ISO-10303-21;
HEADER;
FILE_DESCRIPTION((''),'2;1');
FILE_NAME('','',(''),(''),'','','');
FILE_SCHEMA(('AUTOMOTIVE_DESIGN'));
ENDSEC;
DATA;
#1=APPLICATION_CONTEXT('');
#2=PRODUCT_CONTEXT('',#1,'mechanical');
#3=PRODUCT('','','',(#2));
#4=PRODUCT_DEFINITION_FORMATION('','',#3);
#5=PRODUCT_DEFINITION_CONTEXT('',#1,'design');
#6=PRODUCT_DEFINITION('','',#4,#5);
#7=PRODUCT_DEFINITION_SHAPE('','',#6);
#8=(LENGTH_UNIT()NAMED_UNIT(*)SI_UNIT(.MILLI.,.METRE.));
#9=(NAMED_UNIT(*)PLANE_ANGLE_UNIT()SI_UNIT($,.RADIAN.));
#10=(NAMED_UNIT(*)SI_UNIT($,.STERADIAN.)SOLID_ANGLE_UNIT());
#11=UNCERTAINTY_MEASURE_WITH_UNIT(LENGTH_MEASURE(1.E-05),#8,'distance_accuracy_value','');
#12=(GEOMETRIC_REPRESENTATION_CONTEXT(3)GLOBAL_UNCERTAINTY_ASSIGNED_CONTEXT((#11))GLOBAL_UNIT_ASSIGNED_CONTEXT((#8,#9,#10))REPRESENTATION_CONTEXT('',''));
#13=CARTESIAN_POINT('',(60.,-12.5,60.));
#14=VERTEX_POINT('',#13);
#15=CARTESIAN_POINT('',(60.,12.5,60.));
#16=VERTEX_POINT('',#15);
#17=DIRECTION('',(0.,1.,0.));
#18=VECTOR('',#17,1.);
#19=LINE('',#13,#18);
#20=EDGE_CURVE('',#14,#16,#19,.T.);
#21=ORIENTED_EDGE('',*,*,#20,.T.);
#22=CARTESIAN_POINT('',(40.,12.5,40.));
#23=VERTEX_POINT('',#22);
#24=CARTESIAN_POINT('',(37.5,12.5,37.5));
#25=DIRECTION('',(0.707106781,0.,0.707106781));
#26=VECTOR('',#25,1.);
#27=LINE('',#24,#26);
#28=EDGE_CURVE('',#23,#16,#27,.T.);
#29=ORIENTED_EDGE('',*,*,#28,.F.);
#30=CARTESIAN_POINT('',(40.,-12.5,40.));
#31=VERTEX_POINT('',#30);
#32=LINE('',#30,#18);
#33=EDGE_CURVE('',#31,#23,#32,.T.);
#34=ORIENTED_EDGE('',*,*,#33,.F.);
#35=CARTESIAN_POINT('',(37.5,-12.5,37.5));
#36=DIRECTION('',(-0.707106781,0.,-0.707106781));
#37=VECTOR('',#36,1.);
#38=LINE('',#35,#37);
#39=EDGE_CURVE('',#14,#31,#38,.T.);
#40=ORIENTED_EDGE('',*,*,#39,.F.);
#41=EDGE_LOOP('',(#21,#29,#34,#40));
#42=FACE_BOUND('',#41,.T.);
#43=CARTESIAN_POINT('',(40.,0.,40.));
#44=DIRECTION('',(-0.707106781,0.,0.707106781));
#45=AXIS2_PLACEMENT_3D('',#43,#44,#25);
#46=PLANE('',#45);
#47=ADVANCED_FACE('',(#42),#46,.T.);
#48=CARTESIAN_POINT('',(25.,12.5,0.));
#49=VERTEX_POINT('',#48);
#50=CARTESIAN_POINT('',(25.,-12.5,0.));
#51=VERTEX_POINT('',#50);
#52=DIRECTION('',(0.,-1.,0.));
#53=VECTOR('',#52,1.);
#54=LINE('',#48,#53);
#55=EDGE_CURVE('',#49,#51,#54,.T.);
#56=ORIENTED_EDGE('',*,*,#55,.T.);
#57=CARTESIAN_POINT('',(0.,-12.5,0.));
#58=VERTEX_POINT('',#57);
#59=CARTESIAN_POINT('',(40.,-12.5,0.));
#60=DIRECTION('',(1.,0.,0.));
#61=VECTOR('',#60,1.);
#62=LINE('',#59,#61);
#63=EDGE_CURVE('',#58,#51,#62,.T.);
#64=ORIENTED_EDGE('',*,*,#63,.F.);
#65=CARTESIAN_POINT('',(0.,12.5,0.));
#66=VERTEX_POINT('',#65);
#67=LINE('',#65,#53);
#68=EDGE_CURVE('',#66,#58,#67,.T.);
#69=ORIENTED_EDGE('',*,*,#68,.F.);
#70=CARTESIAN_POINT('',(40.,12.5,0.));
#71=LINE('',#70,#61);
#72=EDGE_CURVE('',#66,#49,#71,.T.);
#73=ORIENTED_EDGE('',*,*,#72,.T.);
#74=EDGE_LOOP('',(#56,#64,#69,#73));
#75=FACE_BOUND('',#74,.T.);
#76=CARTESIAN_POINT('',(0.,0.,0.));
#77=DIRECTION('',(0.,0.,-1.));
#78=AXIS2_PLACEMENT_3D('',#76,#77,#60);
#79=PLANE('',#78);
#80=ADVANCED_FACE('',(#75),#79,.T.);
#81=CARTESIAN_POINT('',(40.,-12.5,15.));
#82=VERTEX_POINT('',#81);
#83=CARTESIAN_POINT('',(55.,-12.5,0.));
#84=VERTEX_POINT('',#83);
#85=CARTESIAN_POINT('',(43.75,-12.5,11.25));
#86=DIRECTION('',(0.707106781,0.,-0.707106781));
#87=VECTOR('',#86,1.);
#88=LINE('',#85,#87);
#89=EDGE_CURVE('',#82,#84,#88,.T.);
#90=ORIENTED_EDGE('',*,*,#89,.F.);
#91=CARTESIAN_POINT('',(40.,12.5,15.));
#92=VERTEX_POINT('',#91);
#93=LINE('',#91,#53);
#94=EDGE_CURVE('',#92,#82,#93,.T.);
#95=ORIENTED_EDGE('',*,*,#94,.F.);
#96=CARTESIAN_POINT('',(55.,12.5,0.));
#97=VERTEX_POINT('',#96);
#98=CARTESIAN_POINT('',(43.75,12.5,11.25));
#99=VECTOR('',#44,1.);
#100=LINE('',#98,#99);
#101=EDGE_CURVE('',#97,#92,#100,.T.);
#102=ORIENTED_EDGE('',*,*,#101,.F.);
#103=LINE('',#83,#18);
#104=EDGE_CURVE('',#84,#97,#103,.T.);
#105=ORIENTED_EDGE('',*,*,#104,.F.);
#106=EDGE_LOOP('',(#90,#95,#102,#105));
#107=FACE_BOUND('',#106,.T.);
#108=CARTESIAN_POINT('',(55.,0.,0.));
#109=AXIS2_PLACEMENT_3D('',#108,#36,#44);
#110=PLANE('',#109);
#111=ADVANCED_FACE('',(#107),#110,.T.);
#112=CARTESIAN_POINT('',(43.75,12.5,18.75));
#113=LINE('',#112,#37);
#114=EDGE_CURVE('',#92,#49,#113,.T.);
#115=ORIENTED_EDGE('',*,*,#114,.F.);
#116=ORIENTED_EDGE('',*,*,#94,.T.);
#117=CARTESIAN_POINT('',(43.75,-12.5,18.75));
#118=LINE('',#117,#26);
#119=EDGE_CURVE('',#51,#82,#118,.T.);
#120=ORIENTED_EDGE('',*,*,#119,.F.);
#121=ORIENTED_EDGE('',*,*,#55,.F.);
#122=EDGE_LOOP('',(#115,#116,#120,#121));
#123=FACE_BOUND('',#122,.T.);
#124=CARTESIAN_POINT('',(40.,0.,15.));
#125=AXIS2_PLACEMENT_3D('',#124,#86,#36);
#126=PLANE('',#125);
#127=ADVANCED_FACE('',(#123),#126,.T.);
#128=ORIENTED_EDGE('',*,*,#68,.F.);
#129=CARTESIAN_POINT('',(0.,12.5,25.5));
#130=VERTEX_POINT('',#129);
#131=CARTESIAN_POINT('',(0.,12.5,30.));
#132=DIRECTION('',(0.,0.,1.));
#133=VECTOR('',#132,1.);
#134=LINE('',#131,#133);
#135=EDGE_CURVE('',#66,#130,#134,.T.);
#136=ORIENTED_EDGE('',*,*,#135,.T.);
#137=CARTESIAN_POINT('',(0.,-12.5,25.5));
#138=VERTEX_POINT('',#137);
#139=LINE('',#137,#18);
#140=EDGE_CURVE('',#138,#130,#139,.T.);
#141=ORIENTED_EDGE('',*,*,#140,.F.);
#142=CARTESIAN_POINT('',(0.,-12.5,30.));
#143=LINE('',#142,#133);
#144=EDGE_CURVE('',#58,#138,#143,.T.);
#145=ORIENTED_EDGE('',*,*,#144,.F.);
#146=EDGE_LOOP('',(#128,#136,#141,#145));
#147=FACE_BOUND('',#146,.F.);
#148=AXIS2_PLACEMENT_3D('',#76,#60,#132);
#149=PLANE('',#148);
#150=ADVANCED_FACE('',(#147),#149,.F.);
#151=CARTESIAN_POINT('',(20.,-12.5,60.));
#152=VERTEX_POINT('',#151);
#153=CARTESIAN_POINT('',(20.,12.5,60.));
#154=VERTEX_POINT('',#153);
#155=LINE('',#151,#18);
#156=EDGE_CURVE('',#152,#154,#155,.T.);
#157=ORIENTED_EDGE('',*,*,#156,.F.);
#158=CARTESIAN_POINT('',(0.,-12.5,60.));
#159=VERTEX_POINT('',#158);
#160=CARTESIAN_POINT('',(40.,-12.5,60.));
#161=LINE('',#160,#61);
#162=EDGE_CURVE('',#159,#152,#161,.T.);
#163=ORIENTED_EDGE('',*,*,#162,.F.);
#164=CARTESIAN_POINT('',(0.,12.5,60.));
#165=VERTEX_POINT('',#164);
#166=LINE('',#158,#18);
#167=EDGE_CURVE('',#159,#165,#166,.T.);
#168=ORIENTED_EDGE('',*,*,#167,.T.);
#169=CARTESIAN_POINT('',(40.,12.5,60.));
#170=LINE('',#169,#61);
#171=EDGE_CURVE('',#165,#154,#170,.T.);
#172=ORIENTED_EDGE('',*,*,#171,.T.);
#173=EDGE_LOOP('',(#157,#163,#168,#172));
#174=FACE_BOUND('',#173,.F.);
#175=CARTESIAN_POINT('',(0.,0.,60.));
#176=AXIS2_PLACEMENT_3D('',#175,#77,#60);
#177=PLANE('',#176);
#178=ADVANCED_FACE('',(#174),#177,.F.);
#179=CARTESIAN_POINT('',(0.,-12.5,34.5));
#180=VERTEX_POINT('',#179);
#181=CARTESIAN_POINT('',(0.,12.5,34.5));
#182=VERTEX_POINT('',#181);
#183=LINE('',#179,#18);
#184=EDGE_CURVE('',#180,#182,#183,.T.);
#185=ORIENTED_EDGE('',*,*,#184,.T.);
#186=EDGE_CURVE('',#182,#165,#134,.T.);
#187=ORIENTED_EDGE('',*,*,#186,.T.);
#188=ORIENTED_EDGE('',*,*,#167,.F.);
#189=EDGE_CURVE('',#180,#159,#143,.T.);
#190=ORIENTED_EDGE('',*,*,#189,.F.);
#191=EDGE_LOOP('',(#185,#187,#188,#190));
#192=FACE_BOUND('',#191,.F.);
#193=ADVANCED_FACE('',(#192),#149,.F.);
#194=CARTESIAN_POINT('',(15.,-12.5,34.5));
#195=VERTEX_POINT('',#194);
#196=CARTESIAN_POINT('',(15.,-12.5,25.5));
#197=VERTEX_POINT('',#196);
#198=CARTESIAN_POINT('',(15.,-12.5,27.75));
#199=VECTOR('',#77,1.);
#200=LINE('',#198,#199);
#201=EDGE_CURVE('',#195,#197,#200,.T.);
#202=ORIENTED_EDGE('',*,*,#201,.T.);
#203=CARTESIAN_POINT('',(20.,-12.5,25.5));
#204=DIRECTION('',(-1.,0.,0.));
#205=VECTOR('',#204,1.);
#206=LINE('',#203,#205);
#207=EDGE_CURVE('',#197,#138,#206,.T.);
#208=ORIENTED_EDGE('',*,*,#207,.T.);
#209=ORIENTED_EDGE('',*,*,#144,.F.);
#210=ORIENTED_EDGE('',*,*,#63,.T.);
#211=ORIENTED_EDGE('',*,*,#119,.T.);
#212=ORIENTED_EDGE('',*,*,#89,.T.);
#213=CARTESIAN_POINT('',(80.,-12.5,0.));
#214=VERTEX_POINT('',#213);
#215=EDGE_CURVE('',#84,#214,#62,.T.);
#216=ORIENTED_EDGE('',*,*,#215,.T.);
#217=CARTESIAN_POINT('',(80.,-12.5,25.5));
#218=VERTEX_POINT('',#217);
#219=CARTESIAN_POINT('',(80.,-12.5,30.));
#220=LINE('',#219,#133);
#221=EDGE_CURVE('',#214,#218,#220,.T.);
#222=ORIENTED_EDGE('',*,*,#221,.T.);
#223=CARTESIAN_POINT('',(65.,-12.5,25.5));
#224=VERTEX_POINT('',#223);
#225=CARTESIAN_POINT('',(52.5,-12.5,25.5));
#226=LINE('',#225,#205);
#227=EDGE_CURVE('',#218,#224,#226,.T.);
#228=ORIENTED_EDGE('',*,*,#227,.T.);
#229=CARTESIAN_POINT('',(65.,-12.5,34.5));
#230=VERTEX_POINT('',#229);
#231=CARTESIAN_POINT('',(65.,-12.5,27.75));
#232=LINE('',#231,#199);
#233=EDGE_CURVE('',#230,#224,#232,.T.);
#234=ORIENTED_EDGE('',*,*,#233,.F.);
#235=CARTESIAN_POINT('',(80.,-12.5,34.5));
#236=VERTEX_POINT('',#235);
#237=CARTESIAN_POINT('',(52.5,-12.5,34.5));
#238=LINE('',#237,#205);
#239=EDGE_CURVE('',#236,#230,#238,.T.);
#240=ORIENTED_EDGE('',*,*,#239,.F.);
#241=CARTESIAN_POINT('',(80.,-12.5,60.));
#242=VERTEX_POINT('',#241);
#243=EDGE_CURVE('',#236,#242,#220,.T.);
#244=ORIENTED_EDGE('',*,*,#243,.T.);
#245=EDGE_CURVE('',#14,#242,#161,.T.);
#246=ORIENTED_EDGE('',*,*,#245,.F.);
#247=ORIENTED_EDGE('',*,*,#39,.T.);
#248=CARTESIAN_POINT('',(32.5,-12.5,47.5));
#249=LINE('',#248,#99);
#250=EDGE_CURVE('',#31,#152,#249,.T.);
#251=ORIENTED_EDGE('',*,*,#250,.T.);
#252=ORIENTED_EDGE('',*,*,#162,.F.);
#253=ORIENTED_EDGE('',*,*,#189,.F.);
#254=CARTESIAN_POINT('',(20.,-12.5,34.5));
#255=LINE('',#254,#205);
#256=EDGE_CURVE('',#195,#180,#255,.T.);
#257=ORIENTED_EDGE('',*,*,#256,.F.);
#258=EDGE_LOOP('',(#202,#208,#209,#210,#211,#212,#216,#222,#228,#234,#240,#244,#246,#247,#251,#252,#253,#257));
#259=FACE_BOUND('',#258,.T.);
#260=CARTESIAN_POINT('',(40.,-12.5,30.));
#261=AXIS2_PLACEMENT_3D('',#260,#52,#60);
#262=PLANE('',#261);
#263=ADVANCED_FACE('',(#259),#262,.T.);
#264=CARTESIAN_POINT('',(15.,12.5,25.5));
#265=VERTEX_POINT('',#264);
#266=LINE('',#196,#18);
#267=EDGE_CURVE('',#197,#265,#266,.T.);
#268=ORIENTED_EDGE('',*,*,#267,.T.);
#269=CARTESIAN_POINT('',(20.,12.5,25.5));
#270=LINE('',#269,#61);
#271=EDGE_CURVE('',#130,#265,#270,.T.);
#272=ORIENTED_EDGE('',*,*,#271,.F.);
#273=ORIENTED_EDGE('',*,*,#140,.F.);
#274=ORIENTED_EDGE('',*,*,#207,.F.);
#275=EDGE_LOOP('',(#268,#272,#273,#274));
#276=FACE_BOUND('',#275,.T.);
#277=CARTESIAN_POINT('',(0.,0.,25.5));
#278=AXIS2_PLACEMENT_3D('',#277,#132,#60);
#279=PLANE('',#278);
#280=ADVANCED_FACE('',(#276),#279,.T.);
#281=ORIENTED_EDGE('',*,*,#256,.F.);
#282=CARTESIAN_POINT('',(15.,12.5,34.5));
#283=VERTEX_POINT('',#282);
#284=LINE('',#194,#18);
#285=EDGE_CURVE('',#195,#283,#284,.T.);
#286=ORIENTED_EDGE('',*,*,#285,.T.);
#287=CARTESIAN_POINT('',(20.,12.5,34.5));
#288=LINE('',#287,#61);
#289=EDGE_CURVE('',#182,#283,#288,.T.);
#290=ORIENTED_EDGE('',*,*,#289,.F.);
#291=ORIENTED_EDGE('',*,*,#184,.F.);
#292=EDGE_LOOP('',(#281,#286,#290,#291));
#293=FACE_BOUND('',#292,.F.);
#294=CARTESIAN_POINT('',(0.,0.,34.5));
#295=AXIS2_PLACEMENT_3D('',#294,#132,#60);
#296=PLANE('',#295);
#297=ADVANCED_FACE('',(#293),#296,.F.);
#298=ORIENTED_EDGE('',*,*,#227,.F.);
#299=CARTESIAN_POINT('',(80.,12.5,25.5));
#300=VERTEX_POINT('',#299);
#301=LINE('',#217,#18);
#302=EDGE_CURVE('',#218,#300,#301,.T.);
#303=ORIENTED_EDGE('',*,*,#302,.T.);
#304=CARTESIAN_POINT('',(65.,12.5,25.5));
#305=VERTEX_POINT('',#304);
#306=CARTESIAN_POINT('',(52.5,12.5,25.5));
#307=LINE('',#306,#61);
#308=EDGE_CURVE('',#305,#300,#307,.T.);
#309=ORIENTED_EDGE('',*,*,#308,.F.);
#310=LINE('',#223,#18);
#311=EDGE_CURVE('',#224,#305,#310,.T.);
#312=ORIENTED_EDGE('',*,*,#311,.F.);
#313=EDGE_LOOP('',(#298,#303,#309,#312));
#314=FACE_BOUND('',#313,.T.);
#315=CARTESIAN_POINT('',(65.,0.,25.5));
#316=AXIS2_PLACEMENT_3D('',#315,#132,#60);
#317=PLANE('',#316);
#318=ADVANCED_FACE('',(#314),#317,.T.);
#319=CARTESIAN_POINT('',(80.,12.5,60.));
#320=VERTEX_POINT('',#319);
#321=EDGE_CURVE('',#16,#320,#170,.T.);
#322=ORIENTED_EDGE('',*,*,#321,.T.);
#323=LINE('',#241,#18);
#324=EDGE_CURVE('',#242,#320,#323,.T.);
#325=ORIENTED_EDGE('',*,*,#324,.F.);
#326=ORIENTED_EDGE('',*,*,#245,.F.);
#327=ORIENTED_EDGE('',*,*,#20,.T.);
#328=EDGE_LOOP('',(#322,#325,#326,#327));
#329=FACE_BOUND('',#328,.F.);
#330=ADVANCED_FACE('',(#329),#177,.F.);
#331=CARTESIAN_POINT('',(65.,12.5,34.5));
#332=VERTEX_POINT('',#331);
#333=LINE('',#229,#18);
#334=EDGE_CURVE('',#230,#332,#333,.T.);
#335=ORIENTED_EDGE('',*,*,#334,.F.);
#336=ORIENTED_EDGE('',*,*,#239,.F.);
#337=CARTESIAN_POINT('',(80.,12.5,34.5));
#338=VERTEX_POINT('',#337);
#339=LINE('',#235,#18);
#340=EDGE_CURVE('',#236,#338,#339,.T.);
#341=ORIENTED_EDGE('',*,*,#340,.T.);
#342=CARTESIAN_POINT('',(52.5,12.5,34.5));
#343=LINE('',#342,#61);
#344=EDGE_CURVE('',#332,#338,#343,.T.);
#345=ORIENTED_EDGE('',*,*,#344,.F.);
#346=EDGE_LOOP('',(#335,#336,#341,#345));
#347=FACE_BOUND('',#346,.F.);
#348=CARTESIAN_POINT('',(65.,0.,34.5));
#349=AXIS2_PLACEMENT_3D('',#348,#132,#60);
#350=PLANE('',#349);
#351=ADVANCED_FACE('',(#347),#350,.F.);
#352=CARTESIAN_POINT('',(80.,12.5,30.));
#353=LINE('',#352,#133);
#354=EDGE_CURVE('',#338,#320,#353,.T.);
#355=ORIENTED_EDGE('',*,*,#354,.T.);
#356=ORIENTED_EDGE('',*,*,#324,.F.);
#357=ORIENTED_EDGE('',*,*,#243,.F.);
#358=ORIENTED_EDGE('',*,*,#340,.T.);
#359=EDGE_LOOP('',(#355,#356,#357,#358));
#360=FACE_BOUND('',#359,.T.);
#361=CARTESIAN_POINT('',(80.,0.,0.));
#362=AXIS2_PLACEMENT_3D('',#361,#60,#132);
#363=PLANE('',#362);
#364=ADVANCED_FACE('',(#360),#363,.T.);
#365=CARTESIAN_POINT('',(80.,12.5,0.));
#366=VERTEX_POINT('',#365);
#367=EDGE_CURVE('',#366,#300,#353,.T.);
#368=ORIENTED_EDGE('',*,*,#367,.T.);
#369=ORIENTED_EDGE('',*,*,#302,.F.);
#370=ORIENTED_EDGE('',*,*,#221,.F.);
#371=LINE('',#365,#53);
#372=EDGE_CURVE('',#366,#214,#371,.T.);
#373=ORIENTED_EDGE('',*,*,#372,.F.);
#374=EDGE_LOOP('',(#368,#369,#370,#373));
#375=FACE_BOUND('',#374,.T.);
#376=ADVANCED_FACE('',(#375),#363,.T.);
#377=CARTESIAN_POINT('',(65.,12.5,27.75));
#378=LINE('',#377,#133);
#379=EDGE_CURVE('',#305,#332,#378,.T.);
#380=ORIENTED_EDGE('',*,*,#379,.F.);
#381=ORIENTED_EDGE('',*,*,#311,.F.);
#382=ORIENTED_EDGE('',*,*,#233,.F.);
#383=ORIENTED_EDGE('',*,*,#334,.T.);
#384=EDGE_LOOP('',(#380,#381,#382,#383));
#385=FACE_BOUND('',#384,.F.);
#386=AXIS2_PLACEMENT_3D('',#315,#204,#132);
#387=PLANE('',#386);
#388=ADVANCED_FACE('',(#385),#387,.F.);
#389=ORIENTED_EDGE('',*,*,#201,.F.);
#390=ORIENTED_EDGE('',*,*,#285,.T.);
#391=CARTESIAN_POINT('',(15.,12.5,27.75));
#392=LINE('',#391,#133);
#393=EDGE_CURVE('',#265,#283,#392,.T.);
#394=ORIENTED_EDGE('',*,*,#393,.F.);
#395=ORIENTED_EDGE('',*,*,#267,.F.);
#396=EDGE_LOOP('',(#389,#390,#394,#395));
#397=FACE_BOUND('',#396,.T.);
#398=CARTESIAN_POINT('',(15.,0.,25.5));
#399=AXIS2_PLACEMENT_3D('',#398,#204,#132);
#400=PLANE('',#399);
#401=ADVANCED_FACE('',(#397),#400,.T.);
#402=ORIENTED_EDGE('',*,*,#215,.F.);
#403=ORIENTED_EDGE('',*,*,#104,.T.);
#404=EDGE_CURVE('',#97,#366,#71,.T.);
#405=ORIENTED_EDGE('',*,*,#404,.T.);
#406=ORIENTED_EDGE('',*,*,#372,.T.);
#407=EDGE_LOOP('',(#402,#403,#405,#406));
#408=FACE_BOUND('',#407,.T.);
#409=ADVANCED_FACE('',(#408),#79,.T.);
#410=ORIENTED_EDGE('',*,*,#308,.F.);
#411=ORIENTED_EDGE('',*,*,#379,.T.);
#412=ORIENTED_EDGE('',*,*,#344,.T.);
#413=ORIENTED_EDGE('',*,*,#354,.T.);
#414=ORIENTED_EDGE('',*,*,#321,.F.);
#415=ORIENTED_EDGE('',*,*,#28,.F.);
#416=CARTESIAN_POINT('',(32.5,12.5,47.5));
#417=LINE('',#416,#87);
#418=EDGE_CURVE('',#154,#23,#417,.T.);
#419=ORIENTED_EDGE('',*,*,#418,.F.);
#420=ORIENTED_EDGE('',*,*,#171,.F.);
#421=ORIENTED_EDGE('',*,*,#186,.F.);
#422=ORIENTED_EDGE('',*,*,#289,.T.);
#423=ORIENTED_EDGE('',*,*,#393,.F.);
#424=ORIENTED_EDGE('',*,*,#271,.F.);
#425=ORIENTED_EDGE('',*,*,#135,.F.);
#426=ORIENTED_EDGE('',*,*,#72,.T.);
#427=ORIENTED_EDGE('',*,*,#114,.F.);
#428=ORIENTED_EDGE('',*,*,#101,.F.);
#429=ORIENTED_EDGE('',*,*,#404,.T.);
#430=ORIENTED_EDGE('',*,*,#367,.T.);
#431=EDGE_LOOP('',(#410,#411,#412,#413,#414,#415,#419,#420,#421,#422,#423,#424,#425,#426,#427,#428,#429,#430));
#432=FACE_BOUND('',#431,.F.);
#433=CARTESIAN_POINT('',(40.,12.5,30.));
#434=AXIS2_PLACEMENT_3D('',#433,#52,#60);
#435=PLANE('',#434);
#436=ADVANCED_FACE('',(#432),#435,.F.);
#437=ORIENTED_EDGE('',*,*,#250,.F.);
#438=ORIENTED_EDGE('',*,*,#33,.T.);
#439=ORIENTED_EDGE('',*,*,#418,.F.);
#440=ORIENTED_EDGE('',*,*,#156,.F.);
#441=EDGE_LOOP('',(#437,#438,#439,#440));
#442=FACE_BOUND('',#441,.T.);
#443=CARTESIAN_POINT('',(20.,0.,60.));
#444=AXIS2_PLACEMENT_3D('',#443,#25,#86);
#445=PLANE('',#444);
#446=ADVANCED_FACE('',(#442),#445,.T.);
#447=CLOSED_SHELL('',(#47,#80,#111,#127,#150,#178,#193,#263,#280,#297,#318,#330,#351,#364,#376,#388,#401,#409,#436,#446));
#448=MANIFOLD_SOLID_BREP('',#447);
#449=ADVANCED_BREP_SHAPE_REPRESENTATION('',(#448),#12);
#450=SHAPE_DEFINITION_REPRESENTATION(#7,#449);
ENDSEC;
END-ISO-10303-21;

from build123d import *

# Parameters (mm, degrees)
F0_W          = 80
F0_H          = 60
F1_DEPTH      = 12.5
F2_W          = 15
F2_H          = 9
F3_DEPTH      = 12.501
F3_DEPTH_BACK = 12.501


with BuildPart() as f1:
    # F0 (on Front) → F1 (new body, symmetric)
    with BuildSketch(Plane.XZ):
        with Locations((40, 30)):
            Rectangle(F0_W, F0_H)
    extrude(amount=F1_DEPTH, both=True)

    # F2 (on Front) → F3 (cut, two sides)
    with BuildSketch(Plane.XZ) as f3_sk:
        with Locations((7.5, 30)):
            Rectangle(F2_W, F2_H)
        with Locations((72.5, 30)):
            Rectangle(F2_W, F2_H)
        Polygon((40, 40), (60, 60), (20, 60), align=None)
        Polygon((40, 15), (25, 0), (55, 0), align=None)
    extrude(amount=-F3_DEPTH, mode=Mode.SUBTRACT)
    extrude(f3_sk.sketch, amount=F3_DEPTH_BACK, mode=Mode.SUBTRACT)


solid = f1.part
